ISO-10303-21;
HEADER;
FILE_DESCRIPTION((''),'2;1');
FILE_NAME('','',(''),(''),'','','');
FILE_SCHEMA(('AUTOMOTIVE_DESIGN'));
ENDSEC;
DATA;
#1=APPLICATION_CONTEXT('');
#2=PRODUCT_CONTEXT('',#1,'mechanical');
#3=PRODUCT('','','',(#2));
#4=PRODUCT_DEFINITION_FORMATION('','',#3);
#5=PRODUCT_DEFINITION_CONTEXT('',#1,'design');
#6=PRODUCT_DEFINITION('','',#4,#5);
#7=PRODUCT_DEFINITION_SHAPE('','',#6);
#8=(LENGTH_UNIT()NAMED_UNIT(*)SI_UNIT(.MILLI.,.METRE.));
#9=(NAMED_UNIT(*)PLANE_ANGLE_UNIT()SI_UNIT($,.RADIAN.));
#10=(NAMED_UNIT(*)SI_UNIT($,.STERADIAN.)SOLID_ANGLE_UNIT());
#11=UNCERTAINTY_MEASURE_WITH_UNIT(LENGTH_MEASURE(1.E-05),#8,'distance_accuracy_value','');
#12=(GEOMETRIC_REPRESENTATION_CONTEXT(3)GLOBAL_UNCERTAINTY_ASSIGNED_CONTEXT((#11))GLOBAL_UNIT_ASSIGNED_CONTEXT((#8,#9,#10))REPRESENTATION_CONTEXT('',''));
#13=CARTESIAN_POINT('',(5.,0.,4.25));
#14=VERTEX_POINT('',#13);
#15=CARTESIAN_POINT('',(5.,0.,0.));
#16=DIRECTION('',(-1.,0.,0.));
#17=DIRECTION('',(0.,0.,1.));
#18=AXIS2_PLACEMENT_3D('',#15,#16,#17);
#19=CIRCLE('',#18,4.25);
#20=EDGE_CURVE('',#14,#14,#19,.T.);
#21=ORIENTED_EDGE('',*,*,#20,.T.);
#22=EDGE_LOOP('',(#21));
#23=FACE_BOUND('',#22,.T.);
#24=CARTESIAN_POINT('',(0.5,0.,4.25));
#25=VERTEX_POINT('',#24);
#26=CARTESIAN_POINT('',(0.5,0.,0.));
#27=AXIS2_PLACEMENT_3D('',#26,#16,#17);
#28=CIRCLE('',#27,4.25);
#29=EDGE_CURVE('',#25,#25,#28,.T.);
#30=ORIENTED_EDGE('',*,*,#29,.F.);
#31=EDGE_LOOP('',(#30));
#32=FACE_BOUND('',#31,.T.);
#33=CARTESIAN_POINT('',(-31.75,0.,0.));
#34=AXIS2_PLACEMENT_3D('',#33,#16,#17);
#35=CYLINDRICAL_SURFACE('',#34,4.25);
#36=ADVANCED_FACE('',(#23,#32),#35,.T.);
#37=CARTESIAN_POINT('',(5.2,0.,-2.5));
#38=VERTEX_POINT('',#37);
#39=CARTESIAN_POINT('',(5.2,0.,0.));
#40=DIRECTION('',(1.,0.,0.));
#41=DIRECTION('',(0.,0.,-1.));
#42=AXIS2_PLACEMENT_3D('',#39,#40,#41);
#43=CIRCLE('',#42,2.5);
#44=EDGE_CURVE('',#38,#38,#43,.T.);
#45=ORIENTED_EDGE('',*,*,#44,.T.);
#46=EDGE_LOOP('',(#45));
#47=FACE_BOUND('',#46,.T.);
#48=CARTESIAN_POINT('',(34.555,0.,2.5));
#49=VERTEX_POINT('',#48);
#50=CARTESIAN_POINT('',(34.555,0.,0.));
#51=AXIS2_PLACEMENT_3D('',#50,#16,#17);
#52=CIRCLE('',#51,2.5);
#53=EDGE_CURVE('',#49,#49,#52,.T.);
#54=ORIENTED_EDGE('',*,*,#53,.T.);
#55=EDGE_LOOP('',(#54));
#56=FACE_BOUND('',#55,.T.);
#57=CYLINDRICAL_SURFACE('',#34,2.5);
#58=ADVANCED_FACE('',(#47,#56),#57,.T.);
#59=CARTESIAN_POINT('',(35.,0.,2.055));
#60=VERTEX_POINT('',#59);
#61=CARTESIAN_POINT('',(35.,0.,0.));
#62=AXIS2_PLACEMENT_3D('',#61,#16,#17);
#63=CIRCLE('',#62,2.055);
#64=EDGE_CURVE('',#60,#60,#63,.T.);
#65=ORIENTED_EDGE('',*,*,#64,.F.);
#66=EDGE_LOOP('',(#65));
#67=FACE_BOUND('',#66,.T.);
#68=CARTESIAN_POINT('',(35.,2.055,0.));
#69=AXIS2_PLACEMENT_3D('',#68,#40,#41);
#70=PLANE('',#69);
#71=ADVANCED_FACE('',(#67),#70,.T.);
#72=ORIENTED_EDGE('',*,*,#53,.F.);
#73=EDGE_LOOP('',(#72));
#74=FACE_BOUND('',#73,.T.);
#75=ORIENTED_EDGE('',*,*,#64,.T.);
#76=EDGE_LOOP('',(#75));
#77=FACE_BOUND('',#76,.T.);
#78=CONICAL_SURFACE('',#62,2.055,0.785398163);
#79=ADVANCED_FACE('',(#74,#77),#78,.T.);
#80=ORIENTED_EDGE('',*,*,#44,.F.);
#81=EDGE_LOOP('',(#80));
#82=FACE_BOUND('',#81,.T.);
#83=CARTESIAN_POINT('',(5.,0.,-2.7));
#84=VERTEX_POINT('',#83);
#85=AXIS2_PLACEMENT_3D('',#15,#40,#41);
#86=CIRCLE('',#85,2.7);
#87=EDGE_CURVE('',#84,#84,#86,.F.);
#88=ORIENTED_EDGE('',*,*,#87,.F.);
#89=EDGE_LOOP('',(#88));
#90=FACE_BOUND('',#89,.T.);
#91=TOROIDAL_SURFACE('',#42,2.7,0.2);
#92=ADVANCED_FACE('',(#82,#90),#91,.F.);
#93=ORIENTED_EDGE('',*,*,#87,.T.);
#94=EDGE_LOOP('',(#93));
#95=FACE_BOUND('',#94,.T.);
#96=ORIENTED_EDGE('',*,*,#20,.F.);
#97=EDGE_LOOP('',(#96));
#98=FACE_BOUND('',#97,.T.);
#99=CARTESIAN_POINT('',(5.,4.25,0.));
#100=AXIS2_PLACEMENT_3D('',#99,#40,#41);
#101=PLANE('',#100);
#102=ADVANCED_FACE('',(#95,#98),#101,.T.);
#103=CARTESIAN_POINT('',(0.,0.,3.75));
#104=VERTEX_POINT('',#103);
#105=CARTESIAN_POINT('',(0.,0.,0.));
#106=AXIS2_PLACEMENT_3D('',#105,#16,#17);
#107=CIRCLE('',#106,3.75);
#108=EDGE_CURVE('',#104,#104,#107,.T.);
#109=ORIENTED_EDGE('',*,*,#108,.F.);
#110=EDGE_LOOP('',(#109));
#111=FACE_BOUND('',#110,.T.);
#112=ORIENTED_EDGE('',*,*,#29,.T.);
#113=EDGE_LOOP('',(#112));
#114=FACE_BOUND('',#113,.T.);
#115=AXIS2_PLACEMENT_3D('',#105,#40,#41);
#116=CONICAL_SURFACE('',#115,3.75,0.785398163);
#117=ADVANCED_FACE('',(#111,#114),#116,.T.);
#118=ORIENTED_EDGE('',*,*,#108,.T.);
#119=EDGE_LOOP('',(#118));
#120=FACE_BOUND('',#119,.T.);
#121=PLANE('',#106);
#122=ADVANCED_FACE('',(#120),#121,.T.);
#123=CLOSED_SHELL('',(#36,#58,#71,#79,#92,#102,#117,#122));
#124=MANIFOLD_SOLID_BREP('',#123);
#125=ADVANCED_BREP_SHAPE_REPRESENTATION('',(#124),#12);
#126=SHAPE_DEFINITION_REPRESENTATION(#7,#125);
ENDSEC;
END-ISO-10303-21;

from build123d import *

# Parameters (mm, degrees)
FILLET1_R = 0.2


with BuildPart() as part:
    # BodySke → Base-Revolve (revolve)
    with BuildSketch(Plane.XY):
        Polygon((0, 0), (0, 3.75), (0.5, 4.25), (5, 4.25), (5, 2.5), (34.555, 2.5), (35, 2.055), (35, 0), align=None)
    revolve(axis=Axis((-31.75, 0, 0), (1, 0, 0)))

    # Fillet1
    fillet1_edges = [part.edges().sort_by_distance(p)[0] for p in [
        (5, -2.5, 0),
    ]]
    fillet(fillet1_edges, radius=FILLET1_R)


solid = part.part
